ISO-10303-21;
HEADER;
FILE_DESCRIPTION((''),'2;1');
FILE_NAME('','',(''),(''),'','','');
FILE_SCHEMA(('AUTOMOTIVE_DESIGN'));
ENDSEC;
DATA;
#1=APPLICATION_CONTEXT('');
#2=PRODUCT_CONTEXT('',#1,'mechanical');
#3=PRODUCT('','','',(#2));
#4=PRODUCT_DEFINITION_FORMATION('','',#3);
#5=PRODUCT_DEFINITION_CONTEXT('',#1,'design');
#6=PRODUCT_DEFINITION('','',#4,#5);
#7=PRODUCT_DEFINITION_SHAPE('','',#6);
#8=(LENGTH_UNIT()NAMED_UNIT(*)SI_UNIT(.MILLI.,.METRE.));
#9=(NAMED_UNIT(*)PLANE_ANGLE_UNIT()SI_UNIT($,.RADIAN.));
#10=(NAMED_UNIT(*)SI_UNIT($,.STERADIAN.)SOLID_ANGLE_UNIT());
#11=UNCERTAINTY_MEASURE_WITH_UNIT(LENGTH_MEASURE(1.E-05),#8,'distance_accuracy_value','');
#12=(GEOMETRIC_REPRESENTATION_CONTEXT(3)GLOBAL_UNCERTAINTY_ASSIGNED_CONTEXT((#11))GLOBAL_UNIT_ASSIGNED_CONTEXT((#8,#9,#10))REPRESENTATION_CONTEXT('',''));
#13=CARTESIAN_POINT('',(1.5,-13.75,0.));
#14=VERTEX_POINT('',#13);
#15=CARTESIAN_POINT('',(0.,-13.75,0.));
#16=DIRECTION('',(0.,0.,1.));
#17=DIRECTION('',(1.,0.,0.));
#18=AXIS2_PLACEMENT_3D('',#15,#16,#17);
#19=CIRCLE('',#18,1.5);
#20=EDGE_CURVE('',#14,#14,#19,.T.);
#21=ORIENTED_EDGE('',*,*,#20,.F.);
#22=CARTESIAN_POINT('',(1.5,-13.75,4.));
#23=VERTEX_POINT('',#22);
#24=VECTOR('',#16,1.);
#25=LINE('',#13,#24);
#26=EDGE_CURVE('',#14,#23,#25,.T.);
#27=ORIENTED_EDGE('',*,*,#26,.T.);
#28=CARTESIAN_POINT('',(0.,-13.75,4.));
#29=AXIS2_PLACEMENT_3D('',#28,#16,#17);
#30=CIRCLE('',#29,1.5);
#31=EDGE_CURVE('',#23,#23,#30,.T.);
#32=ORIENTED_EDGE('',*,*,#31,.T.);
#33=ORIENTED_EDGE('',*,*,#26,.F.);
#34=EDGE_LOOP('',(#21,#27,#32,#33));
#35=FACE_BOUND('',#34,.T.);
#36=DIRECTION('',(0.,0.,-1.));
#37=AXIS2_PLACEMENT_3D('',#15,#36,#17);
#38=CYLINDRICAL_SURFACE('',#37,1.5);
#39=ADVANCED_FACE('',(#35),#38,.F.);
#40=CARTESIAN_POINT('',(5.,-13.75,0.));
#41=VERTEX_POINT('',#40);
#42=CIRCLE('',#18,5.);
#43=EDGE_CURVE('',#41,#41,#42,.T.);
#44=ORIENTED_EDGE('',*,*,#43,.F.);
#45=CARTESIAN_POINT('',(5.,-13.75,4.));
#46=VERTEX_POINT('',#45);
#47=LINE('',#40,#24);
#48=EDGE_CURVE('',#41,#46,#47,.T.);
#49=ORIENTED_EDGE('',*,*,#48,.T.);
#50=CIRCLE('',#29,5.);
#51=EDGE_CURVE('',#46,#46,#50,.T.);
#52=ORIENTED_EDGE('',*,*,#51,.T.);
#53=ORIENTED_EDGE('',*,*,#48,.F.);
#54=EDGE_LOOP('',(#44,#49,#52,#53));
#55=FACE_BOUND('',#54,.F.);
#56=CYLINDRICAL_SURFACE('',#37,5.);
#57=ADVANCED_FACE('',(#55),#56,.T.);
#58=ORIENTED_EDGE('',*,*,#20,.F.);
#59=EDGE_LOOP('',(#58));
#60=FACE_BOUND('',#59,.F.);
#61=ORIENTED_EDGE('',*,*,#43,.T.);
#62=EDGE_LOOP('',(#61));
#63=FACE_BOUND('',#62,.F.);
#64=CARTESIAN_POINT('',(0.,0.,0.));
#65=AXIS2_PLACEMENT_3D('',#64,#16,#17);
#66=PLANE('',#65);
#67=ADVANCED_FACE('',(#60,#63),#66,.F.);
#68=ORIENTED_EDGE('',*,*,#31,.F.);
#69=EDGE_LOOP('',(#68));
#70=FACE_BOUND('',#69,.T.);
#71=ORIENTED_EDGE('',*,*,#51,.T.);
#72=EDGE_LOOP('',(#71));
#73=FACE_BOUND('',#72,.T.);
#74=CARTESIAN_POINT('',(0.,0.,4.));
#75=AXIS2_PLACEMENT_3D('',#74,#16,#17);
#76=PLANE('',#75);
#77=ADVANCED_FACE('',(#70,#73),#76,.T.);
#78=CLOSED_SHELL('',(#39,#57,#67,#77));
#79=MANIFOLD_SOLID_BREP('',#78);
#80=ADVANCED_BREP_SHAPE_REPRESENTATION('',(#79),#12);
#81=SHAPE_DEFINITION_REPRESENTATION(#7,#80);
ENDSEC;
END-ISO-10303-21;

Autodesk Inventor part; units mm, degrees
ref_plane "YZ Plane" through (0, 0, 0) normal (1, 0, 0) x (0, 1, 0)
ref_plane "XZ Plane" through (0, 0, 0) normal (0, 1, 0) x (-1, 0, 0)
ref_plane "XY Plane" through (0, 0, 0) normal (0, 0, 1) x (1, 0, 0)
sketch "Эскиз1" plane through (0, 0, 0) normal (0, 0, 1) x (1, 0, 0)
  circle A0 centre (0, -13.75) radius 5 projected
  circle A1 centre (0, -13.75) radius 1.5 projected
extrude "Выдавливание1" add sketch "Эскиз1" along normal blind 4
properties part number "подшипник"
